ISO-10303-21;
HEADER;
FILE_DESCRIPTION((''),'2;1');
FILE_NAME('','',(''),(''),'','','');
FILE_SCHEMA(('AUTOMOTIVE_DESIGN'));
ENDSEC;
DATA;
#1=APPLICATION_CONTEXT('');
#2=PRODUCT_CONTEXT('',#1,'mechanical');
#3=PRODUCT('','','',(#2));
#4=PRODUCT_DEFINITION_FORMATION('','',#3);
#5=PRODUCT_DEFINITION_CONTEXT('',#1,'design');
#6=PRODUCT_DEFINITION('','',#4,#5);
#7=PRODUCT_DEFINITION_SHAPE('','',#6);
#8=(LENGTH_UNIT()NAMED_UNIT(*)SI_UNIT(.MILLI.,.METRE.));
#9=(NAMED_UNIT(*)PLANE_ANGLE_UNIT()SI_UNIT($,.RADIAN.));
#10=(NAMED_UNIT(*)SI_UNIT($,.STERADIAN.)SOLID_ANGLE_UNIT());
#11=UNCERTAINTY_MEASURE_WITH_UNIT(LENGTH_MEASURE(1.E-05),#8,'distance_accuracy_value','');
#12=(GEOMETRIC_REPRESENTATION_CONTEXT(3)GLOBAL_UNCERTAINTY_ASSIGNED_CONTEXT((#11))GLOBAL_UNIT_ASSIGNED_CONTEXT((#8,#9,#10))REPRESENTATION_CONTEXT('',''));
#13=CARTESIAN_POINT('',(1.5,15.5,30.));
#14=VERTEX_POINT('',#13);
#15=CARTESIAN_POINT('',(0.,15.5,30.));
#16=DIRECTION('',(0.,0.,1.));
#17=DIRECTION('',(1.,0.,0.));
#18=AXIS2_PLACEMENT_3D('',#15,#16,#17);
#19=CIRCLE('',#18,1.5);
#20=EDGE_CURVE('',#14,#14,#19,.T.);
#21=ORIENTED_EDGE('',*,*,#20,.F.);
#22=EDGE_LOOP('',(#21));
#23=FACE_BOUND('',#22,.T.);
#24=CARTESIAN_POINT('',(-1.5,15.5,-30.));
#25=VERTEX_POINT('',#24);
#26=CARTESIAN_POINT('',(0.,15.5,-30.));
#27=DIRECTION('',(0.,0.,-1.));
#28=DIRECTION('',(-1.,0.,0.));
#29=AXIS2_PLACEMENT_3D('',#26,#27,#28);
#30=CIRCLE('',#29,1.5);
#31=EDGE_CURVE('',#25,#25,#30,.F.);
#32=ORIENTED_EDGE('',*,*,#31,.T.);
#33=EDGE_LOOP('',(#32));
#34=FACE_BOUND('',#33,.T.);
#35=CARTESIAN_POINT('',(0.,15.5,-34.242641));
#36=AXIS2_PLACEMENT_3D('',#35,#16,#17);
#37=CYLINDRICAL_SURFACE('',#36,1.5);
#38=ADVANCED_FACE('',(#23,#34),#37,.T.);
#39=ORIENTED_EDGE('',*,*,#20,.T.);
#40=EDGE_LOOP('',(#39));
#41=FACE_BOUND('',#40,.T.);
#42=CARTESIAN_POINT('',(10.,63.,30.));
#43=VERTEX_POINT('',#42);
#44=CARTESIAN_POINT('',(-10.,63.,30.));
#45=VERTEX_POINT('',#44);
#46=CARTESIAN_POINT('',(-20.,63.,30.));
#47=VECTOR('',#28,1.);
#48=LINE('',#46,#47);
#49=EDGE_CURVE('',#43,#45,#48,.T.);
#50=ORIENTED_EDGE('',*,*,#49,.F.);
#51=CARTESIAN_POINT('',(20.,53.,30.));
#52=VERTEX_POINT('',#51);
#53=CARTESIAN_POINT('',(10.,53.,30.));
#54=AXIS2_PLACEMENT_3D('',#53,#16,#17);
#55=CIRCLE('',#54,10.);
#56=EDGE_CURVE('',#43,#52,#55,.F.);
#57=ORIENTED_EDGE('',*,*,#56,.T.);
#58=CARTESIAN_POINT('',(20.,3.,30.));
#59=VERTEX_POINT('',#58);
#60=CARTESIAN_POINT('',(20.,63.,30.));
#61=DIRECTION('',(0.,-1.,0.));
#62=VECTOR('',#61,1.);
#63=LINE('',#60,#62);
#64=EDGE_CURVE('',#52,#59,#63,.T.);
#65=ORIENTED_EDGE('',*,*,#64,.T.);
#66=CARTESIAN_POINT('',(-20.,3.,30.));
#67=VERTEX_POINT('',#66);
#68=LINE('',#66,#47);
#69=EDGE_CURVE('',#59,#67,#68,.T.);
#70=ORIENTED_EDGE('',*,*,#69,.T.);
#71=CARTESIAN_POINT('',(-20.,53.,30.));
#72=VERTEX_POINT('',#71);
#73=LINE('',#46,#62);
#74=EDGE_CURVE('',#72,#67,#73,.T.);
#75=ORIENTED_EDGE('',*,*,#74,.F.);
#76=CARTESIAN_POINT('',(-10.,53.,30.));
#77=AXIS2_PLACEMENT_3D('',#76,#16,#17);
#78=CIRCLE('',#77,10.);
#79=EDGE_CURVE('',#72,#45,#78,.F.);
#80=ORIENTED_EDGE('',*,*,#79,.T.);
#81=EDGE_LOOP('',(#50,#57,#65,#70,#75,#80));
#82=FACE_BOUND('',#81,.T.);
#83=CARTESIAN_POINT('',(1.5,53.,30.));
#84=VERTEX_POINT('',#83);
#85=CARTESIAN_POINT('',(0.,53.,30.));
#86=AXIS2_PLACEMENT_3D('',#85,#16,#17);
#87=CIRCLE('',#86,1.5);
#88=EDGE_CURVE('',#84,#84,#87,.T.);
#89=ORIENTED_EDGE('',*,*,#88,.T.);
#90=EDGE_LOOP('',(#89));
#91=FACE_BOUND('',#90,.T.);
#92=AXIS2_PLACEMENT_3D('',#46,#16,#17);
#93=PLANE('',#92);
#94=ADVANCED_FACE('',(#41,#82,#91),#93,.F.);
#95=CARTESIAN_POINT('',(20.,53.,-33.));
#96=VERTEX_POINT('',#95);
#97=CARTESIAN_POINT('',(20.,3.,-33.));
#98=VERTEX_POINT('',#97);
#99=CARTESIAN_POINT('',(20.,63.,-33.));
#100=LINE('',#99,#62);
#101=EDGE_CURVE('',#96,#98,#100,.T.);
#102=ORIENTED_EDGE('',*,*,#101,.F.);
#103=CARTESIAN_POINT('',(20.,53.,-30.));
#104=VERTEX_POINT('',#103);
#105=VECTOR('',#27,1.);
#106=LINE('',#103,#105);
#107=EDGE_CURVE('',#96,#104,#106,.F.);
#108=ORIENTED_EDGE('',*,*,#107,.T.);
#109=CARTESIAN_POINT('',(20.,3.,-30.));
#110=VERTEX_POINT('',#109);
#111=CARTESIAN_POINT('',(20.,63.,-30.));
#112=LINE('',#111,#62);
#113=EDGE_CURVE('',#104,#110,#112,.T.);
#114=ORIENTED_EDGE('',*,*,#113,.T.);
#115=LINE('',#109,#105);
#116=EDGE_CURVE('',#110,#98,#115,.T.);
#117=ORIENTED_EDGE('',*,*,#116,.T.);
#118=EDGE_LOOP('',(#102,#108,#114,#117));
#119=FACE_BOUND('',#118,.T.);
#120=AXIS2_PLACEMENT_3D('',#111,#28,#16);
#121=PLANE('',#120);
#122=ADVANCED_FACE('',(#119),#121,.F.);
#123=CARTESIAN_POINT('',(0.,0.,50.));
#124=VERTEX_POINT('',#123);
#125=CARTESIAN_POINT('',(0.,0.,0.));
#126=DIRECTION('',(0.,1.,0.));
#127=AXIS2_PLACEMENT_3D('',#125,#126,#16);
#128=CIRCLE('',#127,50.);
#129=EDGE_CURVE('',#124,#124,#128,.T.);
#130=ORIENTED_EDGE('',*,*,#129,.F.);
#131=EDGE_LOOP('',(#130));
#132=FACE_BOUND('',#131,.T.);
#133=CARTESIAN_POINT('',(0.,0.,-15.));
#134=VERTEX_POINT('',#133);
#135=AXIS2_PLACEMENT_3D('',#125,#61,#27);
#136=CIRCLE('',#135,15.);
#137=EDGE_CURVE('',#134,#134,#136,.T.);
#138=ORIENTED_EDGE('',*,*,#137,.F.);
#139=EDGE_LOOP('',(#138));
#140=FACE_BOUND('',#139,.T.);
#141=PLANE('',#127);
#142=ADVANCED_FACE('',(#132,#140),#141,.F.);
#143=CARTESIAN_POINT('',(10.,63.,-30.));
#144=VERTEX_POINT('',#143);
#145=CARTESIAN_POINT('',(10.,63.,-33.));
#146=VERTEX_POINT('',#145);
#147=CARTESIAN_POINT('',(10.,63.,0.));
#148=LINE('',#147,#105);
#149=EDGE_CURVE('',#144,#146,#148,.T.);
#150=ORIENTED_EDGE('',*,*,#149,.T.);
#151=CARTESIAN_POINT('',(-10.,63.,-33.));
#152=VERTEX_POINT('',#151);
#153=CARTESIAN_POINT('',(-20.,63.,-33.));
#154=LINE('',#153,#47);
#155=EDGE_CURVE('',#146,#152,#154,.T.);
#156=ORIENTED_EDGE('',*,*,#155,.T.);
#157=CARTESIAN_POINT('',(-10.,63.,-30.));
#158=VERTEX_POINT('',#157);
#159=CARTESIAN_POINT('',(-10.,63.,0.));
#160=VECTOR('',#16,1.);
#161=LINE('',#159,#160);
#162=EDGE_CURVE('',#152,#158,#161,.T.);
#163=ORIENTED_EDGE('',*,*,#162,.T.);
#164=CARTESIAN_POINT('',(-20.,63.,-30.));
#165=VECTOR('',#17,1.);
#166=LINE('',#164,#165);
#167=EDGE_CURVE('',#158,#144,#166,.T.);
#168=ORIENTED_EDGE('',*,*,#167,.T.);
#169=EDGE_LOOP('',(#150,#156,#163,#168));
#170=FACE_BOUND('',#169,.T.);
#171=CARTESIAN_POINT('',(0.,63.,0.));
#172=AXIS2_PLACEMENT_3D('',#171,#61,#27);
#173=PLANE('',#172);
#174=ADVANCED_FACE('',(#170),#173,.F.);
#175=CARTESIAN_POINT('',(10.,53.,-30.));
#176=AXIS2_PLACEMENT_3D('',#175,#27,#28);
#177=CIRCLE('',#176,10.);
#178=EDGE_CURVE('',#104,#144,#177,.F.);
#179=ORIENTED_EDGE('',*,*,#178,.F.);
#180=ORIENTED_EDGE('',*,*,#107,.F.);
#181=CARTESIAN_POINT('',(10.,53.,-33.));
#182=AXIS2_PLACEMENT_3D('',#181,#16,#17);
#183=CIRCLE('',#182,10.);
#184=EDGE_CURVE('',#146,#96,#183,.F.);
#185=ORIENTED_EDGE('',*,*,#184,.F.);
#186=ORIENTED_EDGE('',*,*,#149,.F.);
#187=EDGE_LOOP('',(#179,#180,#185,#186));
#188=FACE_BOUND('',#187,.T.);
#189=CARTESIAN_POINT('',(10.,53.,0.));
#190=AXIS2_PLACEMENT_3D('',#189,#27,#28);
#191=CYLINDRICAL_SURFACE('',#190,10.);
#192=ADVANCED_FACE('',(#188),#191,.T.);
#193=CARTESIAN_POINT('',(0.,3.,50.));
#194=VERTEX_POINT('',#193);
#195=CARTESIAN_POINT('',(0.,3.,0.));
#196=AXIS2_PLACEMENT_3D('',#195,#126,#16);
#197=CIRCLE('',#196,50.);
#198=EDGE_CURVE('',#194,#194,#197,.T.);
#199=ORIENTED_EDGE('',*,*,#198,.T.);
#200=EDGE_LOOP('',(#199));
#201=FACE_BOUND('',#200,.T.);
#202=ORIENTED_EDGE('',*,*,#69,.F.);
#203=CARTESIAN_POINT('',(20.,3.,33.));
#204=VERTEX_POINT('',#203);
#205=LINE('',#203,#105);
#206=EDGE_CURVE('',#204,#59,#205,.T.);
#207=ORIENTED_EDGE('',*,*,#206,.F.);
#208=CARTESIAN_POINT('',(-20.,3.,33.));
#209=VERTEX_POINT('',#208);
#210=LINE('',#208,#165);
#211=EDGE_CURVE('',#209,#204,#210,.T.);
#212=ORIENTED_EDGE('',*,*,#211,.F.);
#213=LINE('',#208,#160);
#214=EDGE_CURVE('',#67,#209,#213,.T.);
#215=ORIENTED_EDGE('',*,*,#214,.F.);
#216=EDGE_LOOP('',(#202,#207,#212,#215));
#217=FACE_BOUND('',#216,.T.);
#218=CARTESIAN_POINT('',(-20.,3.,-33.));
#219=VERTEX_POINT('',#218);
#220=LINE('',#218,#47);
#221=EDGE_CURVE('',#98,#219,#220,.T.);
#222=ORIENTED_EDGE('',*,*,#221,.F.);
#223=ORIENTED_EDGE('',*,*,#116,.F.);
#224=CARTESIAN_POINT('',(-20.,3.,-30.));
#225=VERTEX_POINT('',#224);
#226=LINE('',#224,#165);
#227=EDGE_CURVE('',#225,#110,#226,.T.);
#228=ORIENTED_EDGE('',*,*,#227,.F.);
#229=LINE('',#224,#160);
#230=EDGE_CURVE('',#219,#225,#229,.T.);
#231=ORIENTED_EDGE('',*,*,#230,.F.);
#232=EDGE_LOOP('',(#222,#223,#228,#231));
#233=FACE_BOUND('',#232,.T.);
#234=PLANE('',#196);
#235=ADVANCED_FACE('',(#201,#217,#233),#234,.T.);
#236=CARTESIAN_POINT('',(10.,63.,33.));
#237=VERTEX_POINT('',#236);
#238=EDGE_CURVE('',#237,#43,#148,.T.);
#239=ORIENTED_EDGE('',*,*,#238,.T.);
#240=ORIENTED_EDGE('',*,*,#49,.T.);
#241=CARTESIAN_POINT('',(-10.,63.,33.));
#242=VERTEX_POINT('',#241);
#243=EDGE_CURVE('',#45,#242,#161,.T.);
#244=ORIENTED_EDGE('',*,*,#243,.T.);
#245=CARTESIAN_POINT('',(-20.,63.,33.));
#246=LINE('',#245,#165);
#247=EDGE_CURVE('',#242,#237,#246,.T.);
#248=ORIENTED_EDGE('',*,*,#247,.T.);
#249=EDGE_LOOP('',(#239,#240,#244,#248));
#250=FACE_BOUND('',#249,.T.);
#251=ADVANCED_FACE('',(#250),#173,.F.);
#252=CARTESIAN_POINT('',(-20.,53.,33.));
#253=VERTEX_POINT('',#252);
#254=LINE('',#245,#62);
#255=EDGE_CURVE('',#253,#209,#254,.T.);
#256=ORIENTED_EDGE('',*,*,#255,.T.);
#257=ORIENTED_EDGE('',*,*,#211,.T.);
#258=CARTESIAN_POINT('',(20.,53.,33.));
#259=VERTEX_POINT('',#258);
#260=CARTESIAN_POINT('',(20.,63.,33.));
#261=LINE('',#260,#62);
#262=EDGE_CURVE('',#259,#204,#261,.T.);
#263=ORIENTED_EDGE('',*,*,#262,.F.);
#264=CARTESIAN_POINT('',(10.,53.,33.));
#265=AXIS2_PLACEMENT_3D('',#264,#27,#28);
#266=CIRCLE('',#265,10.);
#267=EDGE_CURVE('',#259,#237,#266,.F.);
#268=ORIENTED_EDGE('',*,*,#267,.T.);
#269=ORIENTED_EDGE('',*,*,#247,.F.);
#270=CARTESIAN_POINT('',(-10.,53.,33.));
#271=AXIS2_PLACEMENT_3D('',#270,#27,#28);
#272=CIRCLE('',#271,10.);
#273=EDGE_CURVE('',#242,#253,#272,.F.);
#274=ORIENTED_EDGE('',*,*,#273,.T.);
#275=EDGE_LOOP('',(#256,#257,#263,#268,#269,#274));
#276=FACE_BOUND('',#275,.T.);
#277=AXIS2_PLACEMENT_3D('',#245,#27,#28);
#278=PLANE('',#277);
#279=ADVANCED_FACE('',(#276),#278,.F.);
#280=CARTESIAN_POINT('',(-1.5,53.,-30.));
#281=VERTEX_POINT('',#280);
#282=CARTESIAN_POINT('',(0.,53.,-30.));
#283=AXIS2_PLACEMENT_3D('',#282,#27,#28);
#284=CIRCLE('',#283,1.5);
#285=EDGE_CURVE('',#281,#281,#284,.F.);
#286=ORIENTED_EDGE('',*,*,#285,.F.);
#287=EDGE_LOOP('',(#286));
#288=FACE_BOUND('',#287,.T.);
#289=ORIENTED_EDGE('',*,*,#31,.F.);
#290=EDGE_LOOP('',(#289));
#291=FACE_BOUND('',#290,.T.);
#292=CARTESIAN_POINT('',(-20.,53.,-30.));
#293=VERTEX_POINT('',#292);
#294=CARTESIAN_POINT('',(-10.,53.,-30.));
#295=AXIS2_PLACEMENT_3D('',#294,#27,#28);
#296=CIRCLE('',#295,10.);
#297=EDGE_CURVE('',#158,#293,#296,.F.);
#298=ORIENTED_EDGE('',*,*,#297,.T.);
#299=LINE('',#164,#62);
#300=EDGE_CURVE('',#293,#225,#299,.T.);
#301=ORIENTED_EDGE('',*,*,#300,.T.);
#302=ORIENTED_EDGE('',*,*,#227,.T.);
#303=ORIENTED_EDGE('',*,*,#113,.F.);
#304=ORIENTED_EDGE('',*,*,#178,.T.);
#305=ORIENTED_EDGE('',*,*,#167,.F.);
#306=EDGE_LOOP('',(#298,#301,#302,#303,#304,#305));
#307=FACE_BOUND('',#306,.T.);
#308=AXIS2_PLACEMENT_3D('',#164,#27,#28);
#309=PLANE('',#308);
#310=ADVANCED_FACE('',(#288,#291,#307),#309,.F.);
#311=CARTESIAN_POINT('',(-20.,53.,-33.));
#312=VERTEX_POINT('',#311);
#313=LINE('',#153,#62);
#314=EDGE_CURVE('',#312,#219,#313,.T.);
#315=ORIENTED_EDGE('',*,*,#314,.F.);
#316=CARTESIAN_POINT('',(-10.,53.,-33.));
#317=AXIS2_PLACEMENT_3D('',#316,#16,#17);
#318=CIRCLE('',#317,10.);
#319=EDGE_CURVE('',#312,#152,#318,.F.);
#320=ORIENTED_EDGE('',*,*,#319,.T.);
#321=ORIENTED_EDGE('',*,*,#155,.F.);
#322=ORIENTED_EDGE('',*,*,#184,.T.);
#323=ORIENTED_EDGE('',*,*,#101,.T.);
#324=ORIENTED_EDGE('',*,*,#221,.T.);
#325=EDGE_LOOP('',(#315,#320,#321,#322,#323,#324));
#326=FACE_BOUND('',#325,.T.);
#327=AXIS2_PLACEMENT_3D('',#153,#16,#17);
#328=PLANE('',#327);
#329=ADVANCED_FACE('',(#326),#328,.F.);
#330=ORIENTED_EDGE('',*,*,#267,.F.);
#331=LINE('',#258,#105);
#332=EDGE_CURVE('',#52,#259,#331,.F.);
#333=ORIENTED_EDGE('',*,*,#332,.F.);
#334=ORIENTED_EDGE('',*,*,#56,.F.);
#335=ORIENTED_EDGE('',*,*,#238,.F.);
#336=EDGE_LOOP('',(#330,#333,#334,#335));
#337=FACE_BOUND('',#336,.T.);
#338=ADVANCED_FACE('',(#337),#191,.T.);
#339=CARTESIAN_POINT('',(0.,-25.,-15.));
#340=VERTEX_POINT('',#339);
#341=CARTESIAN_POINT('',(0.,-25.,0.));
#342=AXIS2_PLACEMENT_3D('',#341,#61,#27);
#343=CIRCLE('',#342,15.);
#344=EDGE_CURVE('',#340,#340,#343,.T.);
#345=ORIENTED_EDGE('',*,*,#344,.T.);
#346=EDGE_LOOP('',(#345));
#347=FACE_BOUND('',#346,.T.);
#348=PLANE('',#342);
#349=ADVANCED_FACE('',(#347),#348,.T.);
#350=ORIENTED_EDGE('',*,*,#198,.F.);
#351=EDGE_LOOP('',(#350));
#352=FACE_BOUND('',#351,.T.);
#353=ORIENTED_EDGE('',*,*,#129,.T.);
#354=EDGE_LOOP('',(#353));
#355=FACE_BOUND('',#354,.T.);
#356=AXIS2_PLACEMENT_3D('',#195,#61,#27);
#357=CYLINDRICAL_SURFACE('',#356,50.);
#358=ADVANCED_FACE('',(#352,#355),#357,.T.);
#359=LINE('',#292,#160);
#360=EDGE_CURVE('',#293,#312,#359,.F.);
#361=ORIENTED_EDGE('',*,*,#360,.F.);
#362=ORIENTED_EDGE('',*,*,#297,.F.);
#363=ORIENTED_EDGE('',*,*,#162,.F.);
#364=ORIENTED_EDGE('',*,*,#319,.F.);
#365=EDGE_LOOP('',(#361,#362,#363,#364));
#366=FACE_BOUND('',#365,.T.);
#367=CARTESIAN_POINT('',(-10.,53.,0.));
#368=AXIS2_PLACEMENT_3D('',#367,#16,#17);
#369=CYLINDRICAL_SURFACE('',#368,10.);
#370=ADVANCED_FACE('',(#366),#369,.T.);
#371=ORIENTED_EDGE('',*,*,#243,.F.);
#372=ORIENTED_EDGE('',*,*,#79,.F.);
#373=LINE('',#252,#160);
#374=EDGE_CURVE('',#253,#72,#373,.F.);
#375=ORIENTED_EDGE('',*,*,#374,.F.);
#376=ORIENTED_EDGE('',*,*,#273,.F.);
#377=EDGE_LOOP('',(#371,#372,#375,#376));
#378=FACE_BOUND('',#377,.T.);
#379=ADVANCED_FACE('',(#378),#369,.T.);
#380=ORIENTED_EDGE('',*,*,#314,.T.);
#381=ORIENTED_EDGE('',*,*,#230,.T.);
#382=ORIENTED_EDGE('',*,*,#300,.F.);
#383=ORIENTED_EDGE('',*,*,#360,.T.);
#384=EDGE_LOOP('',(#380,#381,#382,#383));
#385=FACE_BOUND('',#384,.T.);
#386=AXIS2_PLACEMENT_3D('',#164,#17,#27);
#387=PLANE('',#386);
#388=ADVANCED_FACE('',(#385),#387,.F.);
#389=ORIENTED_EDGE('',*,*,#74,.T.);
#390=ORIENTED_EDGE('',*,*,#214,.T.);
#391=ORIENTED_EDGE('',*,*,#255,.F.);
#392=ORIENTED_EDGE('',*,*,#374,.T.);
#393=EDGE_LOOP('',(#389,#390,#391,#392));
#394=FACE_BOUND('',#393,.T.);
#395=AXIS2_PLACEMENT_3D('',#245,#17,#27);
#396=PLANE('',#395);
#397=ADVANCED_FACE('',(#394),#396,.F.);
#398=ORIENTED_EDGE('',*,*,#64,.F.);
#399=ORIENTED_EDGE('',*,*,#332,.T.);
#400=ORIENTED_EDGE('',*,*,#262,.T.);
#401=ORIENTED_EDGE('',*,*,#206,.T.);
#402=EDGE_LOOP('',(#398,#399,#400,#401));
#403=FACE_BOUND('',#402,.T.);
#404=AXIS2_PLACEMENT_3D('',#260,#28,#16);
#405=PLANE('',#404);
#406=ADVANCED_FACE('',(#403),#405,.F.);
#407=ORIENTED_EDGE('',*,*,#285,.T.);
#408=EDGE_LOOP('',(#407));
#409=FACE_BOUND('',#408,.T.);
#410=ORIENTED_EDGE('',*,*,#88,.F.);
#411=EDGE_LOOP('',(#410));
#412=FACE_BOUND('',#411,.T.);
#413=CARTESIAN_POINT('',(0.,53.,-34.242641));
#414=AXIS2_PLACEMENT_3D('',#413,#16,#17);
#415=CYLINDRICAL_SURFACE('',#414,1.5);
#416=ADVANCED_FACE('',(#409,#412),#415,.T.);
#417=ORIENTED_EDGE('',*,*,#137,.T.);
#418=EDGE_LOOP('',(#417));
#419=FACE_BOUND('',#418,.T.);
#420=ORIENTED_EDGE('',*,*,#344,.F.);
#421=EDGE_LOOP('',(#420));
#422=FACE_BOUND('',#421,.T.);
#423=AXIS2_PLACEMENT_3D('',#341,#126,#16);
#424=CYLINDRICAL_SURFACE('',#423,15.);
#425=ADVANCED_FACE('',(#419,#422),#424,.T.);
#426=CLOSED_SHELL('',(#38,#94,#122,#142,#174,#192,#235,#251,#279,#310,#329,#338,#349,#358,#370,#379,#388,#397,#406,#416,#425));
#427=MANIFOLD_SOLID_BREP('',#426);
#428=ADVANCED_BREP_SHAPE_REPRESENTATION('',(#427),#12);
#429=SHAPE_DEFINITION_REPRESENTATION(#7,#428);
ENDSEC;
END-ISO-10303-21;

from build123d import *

# Parameters (mm, degrees)
SKETCH1_R           = 50
BOSS_EXTRUDE1_DEPTH = 3
SKETCH2_R           = 15
BOSS_EXTRUDE2_DEPTH = 25
SKETCH3_W           = 40
SKETCH3_H           = 3
BOSS_EXTRUDE3_DEPTH = 60
SKETCH4_R           = 1.5
BOSS_EXTRUDE4_DEPTH = 63
FILLET1_R           = 10


with BuildPart() as part:
    # Sketch1 → Boss-Extrude1 (new body)
    with BuildSketch(Plane(origin=(0, 0, 0), x_dir=(1, 0, 0), z_dir=(0, 1, 0))):
        with Locations(Location((0, 0, 0), (0, 0, 270))):
            Circle(SKETCH1_R)
    extrude(amount=BOSS_EXTRUDE1_DEPTH)

    # Sketch2 → Boss-Extrude2 (add)
    with BuildSketch(Plane(origin=(0, 0, 0), x_dir=(-1, 0, 0), z_dir=(0, -1, 0))):
        with Locations(Location((0, 0, 0), (0, 0, 90))):
            Circle(SKETCH2_R)
    extrude(amount=BOSS_EXTRUDE2_DEPTH)

    # Sketch3 → Boss-Extrude3 (add)
    with BuildSketch(Plane(origin=(0, 3, 0), x_dir=(1, 0, 0), z_dir=(0, 1, 0))):
        with Locations((0, -31.5)):
            Rectangle(SKETCH3_W, SKETCH3_H)
        with Locations((0, 31.5)):
            Rectangle(SKETCH3_W, SKETCH3_H)
    extrude(amount=BOSS_EXTRUDE3_DEPTH)

    # Sketch4 → Boss-Extrude4 (add)
    with BuildSketch(Plane.XY.offset(33)):
        with Locations((0, 53)):
            Circle(SKETCH4_R)
        with Locations((0, 15.5)):
            Circle(SKETCH4_R)
    extrude(amount=-BOSS_EXTRUDE4_DEPTH)

    # Fillet1
    fillet1_edges = [part.edges().sort_by_distance(p)[0] for p in [
        (-20, 63, 31.5),
        (20, 63, 31.5),
        (-20, 63, -31.5),
        (20, 63, -31.5),
    ]]
    fillet(fillet1_edges, radius=FILLET1_R)


solid = part.part
